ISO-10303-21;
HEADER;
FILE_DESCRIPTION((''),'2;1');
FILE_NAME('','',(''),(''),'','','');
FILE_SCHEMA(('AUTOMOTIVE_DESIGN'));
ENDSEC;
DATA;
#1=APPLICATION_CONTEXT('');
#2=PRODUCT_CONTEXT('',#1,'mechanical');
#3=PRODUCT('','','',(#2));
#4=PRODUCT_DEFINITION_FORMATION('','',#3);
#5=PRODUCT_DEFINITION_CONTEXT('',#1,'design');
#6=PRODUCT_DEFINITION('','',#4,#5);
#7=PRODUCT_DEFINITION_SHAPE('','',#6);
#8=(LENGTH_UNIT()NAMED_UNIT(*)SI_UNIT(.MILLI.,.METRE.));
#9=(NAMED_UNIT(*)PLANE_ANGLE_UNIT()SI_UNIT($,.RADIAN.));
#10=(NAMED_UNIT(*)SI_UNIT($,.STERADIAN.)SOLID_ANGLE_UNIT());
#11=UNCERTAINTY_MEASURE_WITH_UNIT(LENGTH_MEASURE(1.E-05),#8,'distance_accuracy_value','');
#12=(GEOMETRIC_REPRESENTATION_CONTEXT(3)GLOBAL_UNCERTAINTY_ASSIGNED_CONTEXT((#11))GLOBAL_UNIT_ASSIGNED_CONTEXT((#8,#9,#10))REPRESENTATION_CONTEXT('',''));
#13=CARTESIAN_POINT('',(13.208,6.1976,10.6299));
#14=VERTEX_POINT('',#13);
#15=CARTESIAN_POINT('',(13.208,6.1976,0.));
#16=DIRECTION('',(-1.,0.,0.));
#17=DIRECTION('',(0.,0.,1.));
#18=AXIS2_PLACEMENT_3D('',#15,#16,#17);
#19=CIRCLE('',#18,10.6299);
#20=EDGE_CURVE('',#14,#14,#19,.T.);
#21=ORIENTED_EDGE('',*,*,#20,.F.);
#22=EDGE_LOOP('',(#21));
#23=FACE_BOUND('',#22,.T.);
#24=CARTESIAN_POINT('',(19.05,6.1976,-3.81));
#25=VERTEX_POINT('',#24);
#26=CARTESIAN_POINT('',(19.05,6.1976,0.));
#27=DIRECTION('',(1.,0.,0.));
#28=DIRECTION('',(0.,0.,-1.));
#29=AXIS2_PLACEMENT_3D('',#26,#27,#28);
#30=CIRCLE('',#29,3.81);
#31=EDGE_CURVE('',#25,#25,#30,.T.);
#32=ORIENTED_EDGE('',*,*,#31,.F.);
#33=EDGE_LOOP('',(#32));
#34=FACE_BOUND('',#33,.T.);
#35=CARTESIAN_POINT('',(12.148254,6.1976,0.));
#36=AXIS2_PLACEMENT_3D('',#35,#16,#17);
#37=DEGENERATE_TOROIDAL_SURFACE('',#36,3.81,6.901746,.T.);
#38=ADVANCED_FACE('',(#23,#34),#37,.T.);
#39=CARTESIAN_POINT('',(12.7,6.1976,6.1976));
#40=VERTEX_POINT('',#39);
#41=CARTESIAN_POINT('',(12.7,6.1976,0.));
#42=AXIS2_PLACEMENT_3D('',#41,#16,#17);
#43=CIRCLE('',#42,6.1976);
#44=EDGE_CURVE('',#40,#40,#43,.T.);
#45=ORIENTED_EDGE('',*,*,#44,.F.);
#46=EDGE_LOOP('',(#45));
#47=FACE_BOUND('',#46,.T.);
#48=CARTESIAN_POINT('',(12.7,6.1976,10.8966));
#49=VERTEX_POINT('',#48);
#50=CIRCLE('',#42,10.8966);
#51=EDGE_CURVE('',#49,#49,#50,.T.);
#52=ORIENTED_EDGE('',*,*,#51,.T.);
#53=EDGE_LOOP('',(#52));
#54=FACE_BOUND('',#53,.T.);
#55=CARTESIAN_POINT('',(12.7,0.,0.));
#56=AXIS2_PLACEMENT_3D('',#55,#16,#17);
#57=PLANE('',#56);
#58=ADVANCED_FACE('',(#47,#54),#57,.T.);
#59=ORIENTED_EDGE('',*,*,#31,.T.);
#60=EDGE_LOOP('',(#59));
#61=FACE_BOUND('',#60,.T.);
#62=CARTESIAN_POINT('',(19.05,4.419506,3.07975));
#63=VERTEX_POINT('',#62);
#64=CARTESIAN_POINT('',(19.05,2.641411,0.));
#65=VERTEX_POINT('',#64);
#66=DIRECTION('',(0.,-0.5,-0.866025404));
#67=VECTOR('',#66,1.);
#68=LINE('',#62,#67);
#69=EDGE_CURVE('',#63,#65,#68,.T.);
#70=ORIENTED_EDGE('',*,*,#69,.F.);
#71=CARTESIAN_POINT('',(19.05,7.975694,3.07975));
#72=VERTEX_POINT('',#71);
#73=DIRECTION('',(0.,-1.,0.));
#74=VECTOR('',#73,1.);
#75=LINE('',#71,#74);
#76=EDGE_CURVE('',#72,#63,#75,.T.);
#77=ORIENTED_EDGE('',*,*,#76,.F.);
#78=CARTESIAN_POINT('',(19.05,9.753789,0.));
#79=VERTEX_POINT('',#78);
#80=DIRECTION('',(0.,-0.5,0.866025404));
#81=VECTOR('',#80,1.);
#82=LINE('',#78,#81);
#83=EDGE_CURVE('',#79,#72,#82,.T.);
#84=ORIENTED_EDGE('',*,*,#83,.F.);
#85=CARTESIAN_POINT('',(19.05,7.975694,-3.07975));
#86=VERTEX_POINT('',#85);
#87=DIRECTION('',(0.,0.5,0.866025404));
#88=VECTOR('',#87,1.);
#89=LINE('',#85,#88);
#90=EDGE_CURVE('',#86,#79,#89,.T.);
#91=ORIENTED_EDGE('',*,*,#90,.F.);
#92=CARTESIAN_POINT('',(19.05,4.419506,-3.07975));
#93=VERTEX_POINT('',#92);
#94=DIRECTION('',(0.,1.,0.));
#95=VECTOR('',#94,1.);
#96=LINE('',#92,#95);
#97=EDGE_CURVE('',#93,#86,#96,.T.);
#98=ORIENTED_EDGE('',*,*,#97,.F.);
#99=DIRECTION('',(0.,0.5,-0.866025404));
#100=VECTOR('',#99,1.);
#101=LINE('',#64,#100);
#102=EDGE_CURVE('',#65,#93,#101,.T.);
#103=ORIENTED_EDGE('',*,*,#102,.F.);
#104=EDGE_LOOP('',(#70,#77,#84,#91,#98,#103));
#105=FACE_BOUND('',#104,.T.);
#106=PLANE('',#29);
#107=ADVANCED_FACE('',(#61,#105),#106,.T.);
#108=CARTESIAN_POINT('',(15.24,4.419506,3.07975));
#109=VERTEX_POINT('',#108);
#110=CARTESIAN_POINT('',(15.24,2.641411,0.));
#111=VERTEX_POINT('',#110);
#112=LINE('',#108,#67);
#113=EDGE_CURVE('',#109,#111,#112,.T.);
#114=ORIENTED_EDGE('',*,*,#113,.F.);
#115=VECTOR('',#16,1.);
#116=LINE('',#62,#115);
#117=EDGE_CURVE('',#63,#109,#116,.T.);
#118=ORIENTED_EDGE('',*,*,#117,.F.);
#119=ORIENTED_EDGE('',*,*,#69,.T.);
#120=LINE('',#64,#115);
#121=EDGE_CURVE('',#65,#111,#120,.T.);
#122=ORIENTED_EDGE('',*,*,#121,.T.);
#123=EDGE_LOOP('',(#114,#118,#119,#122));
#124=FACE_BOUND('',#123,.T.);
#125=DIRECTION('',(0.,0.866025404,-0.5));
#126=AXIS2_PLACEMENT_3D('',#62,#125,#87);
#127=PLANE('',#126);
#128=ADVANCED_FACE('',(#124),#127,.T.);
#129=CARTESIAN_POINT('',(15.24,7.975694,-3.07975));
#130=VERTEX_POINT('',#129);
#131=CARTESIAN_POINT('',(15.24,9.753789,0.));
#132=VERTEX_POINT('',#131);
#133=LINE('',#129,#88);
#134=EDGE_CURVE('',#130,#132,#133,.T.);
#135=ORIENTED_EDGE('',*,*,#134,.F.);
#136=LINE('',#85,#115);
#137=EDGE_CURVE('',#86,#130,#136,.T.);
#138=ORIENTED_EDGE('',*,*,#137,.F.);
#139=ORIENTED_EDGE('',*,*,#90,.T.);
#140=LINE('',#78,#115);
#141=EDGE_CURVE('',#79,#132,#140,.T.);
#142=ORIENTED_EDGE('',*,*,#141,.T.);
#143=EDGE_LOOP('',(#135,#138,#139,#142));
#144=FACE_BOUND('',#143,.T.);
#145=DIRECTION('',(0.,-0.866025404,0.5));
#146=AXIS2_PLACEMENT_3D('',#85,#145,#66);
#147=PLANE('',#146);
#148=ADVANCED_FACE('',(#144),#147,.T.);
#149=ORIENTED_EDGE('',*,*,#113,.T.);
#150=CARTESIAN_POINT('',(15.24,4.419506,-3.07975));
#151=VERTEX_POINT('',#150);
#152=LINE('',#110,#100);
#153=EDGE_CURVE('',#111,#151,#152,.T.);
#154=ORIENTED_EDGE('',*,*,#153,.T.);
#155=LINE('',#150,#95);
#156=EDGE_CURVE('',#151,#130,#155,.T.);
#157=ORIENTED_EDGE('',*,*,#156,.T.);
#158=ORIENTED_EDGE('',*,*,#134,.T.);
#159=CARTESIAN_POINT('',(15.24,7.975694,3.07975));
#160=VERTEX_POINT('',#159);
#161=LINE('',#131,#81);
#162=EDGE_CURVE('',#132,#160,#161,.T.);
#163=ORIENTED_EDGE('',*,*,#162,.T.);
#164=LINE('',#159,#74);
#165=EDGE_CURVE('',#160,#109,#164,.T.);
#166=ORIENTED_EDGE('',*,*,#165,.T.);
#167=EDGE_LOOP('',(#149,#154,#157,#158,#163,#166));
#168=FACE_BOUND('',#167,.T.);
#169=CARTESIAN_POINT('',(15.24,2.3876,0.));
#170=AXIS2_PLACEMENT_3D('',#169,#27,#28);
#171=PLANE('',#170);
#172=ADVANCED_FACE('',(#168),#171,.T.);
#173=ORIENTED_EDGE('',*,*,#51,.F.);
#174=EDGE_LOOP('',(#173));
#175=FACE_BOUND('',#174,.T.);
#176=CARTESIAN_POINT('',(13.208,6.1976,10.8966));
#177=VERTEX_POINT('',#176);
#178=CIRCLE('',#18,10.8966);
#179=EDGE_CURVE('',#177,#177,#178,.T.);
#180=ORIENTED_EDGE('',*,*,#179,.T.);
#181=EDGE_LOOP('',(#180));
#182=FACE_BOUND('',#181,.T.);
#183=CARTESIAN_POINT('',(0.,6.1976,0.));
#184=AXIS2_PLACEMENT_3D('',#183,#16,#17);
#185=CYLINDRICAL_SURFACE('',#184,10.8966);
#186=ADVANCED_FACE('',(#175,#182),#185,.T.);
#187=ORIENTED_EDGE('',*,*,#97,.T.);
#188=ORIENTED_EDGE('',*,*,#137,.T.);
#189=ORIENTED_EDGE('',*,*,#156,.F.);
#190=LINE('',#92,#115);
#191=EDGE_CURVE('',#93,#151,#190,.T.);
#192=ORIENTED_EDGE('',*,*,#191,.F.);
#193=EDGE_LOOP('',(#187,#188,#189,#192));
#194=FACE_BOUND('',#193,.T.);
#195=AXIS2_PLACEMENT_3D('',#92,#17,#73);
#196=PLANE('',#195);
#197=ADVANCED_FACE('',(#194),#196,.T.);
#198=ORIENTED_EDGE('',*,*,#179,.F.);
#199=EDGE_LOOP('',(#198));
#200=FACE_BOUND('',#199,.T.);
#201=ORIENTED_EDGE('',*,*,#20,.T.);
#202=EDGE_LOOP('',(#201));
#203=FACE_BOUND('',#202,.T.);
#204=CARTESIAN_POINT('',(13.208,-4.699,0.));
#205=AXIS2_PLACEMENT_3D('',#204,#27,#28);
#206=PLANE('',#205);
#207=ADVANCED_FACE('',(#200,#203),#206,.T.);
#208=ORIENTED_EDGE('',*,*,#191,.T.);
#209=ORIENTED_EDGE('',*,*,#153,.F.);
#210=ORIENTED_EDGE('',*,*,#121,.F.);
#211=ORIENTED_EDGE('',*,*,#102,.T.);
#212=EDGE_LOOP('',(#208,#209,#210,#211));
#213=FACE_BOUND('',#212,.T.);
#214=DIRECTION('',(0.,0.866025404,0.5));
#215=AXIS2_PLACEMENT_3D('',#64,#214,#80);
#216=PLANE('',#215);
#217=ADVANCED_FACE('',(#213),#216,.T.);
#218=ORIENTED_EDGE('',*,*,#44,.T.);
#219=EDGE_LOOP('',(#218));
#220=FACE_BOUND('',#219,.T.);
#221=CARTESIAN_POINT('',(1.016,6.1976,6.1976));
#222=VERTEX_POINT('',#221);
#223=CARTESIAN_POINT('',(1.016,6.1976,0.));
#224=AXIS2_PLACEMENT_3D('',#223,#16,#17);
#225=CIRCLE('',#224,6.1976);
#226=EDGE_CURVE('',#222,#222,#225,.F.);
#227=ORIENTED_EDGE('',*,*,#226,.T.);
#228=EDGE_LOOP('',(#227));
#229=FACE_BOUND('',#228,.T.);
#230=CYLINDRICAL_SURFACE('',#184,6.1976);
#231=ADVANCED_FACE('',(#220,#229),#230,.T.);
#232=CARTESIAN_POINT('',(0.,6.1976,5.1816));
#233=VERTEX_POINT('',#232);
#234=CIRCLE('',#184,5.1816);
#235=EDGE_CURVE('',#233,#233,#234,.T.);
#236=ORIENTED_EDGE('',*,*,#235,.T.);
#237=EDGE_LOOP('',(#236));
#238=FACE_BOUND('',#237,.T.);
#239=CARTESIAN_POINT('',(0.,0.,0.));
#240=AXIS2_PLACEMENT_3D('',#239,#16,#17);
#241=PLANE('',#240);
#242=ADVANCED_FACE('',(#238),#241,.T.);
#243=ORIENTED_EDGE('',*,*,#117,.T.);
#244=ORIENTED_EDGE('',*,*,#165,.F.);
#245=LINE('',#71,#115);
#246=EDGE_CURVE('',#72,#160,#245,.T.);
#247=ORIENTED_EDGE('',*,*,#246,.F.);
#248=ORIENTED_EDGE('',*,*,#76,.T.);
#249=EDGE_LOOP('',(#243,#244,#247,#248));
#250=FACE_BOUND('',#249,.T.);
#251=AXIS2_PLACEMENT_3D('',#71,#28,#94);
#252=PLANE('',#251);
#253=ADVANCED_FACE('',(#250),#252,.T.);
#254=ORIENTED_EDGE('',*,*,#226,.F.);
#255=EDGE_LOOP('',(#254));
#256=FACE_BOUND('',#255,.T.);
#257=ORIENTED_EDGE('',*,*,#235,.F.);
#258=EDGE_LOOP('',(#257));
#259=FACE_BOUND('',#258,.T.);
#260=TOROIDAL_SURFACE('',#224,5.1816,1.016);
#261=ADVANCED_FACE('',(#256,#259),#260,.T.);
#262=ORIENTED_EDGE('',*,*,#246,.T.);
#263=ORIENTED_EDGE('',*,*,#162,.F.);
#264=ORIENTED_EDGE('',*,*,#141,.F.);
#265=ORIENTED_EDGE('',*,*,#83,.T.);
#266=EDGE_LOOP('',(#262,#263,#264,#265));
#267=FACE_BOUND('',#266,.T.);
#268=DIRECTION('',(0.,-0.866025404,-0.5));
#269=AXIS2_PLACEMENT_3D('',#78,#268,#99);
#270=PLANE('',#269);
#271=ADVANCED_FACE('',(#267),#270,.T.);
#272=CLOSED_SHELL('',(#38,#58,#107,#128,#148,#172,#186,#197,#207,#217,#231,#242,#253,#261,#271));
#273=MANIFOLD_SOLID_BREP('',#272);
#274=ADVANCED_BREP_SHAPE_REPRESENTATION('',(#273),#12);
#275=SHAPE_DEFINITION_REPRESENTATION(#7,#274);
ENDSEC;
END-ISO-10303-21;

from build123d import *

# Parameters (mm, degrees)
BOSS_EXTRUDE1_START = 3.81
SKETCH2_R           = 3.81
BOSS_EXTRUDE1_DEPTH = 3.81
FILLET1_R           = 1.016


with BuildPart() as part:
    # Sketch1 → Revolve1 (revolve)
    with BuildSketch(Plane.XY, mode=Mode.PRIVATE) as revolve1_sk:
        with BuildLine():
            Line((0, 0), (0, 6.1976))
            Line((0, 6.1976), (15.24, 6.1976))
            Line((15.24, 6.1976), (15.24, 2.3876))
            Line((15.24, 2.3876), (19.05, 2.3876))
            ThreePointArc((19.05, 2.3876), (17.389827979, -2.102388864), (13.208, -4.4323))
            Line((13.208, -4.4323), (13.208, -4.699))
            Line((13.208, -4.699), (12.7, -4.699))
            Line((12.7, -4.699), (12.7, 0))
            Line((12.7, 0), (0, 0))
        make_face()
    revolve(revolve1_sk.sketch.rotate(Axis((0, 6.1976, 0), (1, 0, 0)), 270), axis=Axis((0, 6.1976, 0), (1, 0, 0)))

    # Sketch2 → Boss-Extrude1 (add)
    with BuildSketch(Plane(origin=(15.24, 0, 0), x_dir=(0, 0, -1), z_dir=(1, 0, 0)).offset(BOSS_EXTRUDE1_START)):
        with Locations((0, 6.1976)):
            Circle(SKETCH2_R)
        Polygon((0, 2.641411017), (3.07975, 4.419505508), (3.07975, 7.975694492), (0, 9.753788983), (-3.07975, 7.975694492), (-3.07975, 4.419505508), align=None, mode=Mode.SUBTRACT)
    extrude(amount=-BOSS_EXTRUDE1_DEPTH)

    # Fillet1
    fillet1_edges = [part.edges().sort_by_distance(p)[0] for p in [
        (0, 6.1976, -6.1976),
    ]]
    fillet(fillet1_edges, radius=FILLET1_R)


solid = part.part
